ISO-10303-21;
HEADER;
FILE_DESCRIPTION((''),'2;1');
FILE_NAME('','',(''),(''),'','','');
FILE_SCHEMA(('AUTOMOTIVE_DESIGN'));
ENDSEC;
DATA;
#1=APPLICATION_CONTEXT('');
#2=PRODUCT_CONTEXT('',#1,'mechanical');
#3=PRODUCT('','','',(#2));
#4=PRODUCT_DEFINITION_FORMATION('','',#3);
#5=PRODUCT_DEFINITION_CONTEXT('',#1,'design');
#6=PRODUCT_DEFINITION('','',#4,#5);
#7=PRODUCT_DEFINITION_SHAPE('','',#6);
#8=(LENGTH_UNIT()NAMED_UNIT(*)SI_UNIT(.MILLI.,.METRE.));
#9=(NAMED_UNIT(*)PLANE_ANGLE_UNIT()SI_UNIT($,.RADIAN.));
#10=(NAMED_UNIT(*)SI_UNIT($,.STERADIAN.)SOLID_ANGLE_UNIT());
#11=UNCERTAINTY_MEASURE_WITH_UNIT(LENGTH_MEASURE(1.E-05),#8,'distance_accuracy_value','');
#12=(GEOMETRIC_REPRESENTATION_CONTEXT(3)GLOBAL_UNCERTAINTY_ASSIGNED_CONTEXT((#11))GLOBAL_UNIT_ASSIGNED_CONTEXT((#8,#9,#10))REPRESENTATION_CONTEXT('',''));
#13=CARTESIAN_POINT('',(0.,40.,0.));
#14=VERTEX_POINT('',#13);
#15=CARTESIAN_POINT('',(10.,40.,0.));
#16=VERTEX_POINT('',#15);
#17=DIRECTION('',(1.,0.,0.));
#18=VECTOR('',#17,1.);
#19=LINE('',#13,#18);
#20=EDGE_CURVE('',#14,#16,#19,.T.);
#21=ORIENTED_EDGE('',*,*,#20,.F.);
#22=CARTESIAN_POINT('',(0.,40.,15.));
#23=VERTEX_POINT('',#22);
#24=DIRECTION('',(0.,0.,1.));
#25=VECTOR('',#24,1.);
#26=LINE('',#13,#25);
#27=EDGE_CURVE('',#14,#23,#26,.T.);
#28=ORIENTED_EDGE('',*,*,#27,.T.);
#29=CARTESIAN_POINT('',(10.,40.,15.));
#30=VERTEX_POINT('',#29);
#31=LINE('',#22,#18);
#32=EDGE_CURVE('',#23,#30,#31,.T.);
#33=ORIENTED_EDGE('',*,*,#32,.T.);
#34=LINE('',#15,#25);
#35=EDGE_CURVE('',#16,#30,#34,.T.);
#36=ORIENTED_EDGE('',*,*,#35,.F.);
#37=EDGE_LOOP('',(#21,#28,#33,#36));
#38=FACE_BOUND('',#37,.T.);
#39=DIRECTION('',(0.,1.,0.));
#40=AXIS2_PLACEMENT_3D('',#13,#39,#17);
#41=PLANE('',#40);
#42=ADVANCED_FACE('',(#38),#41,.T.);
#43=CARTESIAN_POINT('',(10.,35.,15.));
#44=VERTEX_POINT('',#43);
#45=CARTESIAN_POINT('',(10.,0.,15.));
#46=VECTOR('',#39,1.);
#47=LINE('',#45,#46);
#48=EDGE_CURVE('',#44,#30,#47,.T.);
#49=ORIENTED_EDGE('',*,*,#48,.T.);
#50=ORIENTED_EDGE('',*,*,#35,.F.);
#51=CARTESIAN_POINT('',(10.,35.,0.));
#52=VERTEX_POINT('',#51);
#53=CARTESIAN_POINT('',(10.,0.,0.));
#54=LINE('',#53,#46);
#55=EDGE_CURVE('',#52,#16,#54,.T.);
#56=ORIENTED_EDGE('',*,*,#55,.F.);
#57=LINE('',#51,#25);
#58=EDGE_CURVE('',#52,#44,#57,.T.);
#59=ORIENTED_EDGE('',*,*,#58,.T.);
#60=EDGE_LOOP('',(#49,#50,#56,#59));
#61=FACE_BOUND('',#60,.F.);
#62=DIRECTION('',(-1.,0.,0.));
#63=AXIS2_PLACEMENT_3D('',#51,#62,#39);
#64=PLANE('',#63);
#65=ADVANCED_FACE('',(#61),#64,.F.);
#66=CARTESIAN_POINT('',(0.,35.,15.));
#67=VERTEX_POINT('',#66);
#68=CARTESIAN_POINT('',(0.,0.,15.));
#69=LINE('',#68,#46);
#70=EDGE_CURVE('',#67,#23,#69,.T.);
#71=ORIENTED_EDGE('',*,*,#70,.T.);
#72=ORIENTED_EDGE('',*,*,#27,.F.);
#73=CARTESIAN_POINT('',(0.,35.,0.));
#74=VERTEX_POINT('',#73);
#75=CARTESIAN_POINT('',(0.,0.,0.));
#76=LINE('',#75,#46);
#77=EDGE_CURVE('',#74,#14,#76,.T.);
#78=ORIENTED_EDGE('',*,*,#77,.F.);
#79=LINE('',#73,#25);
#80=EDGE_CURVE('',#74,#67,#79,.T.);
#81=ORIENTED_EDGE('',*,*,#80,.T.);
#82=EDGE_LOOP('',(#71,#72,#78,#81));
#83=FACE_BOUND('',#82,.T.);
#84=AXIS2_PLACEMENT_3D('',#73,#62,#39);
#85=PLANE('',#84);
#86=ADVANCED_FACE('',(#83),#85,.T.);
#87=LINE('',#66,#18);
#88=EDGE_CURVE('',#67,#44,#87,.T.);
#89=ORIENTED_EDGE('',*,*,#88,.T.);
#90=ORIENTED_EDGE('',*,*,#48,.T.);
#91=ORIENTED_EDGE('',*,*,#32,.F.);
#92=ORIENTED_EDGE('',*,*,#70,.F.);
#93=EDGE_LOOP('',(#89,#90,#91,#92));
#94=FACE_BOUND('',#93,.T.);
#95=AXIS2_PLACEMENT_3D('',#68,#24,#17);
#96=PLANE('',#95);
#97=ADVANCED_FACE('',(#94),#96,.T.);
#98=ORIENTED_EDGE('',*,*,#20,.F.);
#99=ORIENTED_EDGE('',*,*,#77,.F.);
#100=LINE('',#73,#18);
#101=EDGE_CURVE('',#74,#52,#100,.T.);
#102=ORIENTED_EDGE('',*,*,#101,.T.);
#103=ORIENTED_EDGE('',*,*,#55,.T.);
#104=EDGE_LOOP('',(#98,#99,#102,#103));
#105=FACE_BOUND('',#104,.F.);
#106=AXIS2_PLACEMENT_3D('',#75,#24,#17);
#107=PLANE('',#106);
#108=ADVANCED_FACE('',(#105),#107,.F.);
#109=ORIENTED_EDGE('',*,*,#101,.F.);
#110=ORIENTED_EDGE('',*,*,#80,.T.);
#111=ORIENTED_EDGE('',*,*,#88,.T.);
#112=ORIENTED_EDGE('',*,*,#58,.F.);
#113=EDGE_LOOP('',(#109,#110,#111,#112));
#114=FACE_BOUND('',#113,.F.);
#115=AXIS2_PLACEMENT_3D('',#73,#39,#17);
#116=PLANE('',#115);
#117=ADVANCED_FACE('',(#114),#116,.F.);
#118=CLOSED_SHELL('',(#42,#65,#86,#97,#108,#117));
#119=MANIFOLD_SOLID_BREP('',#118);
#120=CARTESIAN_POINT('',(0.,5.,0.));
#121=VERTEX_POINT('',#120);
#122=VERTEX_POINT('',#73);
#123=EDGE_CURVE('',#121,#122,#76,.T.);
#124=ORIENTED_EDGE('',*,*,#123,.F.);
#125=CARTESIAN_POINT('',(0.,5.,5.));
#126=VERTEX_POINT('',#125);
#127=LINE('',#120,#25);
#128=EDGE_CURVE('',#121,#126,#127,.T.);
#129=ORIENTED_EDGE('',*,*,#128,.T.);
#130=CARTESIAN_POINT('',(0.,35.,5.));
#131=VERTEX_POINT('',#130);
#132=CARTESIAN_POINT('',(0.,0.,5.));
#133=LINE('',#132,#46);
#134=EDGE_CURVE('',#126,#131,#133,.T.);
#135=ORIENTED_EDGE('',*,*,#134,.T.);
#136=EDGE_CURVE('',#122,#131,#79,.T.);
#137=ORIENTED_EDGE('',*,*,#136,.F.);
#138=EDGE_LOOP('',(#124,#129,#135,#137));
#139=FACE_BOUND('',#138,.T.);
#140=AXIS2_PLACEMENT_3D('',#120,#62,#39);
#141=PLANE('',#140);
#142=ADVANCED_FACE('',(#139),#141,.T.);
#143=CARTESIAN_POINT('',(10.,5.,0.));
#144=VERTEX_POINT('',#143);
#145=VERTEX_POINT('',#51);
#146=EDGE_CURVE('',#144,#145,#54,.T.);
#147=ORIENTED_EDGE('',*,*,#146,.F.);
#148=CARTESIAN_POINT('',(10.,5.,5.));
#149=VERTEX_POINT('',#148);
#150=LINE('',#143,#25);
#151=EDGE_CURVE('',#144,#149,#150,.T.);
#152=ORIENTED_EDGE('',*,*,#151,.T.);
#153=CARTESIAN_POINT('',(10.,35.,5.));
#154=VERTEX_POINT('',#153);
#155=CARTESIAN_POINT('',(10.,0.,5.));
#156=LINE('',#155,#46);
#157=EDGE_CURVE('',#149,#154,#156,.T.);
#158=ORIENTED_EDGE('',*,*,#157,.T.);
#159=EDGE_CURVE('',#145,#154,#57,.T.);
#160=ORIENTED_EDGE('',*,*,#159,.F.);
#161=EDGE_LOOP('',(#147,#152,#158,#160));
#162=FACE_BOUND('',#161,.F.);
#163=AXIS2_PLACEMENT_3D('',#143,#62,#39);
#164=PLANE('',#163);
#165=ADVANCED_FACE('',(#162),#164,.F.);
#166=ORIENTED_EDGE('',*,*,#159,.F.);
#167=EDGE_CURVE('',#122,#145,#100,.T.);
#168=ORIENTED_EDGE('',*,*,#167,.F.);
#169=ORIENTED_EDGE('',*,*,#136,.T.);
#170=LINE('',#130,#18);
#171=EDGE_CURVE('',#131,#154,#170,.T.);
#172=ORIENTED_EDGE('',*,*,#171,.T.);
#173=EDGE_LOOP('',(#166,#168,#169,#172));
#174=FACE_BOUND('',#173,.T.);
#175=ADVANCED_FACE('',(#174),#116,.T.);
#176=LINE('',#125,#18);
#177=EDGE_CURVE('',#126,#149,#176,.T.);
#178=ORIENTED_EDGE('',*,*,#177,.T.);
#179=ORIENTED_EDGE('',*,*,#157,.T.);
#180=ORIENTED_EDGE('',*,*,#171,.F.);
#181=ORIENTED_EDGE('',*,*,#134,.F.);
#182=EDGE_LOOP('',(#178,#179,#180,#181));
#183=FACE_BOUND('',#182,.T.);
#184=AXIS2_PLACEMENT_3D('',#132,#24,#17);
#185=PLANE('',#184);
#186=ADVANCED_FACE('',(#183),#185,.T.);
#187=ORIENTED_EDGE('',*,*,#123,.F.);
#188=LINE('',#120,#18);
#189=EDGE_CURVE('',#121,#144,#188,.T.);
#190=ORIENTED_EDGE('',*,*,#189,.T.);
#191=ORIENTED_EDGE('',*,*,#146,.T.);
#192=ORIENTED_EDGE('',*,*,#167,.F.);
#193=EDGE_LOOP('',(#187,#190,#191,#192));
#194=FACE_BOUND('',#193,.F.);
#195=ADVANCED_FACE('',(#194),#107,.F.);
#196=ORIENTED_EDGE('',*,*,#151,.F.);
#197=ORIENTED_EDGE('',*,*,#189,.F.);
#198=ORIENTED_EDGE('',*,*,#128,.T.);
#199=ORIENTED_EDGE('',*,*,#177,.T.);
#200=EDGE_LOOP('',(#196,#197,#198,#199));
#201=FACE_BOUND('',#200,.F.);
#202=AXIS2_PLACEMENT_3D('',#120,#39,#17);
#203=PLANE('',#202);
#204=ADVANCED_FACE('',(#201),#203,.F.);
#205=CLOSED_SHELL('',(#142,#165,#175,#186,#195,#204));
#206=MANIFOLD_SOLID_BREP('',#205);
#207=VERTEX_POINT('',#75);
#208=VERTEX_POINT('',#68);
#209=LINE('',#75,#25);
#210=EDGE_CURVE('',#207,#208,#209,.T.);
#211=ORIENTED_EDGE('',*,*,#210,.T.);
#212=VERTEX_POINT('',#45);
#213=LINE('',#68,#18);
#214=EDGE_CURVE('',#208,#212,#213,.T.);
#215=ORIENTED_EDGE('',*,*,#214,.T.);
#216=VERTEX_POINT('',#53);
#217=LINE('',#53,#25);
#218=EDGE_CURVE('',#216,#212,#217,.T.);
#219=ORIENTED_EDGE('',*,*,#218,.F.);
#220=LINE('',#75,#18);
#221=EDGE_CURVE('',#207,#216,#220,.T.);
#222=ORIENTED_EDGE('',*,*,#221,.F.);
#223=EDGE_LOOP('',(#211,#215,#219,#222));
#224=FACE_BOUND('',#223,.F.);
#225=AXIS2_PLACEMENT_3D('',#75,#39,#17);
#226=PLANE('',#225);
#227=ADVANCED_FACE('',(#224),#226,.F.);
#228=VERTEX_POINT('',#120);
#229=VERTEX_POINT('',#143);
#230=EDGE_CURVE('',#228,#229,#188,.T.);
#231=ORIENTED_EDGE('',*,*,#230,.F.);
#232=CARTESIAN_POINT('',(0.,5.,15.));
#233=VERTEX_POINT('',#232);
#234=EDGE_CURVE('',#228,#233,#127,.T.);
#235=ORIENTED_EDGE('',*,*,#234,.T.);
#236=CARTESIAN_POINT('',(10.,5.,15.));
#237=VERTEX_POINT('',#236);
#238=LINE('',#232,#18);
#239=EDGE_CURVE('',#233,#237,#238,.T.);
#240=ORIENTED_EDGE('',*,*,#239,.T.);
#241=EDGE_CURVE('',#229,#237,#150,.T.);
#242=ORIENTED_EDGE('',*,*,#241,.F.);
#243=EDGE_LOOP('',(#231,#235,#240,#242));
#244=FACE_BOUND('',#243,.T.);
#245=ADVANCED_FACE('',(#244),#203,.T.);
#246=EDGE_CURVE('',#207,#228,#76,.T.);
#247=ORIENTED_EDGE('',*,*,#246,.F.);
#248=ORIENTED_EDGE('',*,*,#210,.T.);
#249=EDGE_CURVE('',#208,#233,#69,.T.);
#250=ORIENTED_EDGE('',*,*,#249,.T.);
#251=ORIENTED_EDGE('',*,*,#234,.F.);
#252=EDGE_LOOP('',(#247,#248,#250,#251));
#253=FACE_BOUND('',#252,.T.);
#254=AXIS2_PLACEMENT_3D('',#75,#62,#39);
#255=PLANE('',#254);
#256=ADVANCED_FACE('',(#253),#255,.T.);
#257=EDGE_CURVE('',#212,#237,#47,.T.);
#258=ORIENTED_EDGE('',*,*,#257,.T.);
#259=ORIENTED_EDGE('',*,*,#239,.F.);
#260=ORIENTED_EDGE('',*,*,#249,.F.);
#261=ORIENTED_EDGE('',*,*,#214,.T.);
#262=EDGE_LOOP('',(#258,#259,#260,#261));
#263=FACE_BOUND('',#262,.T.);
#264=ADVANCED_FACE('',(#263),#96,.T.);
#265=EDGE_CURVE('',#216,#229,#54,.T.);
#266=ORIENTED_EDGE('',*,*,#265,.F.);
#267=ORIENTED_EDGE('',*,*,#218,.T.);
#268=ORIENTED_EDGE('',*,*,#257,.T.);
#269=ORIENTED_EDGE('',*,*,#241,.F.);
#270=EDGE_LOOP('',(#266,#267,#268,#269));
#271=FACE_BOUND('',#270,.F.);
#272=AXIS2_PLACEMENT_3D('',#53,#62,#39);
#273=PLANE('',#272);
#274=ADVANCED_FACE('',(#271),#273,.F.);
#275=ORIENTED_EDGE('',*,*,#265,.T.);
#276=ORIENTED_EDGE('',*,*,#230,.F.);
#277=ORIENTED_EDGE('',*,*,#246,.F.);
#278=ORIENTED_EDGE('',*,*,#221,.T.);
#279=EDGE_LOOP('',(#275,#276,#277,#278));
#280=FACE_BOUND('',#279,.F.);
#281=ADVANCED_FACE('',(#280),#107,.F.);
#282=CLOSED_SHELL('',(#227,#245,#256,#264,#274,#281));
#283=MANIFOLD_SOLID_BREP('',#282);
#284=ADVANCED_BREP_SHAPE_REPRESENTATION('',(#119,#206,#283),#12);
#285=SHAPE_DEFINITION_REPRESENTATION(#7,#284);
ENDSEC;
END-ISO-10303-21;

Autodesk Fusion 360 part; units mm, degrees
sketch "Szkic1" plane through (0, 0, 0) normal (0, 0, 1) x (1, 0, 0)
  line L0 (0, 0) -> (10, 0)
  line L1 (10, 0) -> (10, 40)
  line L2 (0, 0) -> (0, 40)
  line L3 (0, 40) -> (10, 40)
  line L4 (0, 5) -> (10, 5)
  line L5 (0, 35) -> (10, 35)
  dimension "d3" = 40
extrude "Wyciągnięcie proste1" add sketch "Szkic1" along normal blind 15 contours L0 L1 L2 L4 | L1 L2 L3 L5 makes body 1 at (3.3333, 40, 5) makes body 2 at (3.3333, 5, 5)
extrude "Wyciągnięcie proste2" add sketch "Szkic1" along normal blind 5 separate body contours L1 L2 L4 L5 makes body 3
